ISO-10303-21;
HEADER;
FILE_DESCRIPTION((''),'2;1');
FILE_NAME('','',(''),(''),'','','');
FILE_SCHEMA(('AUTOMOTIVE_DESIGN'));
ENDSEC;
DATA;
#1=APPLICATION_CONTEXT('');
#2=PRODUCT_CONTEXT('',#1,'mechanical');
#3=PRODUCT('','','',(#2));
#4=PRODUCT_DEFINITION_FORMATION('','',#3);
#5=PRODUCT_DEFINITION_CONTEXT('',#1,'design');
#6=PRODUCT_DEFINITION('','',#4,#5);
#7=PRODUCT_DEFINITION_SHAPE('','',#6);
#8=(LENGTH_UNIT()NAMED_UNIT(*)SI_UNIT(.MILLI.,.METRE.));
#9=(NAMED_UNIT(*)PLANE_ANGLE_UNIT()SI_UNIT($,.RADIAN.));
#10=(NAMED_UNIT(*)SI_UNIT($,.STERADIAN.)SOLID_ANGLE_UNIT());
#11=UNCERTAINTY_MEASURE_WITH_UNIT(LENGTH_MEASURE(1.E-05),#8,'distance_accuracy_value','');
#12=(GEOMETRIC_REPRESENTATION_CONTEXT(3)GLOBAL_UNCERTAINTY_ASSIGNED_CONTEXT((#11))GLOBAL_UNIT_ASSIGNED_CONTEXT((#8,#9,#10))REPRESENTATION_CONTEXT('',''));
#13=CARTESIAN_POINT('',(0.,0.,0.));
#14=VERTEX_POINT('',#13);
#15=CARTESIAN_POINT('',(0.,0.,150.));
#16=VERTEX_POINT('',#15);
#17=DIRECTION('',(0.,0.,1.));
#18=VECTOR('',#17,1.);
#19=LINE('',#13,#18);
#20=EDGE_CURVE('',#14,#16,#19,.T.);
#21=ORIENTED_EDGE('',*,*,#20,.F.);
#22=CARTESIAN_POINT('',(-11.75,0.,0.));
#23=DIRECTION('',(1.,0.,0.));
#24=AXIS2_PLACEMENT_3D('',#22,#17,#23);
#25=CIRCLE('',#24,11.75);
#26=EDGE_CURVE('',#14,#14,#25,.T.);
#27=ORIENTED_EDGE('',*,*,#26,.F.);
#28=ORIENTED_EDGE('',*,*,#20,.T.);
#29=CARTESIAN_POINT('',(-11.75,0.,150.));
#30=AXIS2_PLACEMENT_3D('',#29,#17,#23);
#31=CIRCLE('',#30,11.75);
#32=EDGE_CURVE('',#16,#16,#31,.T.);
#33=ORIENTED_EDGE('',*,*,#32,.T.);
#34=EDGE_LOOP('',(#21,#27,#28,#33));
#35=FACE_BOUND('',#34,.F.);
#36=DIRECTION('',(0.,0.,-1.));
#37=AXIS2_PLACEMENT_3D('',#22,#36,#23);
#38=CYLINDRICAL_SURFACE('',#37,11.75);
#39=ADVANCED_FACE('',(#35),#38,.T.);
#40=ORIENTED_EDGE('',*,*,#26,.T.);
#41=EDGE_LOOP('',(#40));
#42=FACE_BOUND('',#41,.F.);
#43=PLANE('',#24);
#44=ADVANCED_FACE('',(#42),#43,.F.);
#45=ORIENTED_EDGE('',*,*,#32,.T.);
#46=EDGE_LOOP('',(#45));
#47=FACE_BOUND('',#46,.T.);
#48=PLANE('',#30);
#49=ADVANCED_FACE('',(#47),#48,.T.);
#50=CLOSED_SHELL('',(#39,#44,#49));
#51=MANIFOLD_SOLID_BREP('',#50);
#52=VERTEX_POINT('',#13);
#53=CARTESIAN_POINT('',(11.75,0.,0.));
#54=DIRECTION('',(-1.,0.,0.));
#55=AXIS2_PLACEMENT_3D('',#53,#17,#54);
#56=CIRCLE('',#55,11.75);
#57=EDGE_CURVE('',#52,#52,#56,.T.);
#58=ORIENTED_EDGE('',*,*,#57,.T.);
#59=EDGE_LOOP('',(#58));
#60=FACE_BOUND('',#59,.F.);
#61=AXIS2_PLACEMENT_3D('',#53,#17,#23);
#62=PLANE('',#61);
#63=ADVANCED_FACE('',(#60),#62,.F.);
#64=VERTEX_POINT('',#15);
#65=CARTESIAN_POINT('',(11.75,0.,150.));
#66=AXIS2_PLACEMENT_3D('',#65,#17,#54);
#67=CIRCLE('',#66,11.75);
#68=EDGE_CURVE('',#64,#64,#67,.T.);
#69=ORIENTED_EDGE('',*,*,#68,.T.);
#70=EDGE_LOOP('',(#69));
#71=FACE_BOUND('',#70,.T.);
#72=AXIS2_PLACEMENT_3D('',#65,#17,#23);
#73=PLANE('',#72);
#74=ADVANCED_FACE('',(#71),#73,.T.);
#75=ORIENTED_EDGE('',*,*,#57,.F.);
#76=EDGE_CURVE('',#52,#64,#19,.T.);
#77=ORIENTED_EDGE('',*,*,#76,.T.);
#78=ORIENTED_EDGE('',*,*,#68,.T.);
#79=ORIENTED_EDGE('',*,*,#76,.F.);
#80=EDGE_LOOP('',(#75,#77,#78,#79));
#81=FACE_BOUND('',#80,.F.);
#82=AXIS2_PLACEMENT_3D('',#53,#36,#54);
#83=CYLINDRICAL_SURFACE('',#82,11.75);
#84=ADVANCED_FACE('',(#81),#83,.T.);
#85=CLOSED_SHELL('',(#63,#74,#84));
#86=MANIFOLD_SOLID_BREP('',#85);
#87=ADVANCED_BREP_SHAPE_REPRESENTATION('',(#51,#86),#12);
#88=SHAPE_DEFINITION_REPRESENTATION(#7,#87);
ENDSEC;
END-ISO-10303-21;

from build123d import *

# Parameters (mm, degrees)
F0_R     = 11.75
F1_DEPTH = 150


with BuildPart() as f1:
    # F0 (on Top) → F1 (new body)
    with BuildSketch(Plane.XY):
        with BuildLine():
            ThreePointArc((23.5, 0), (11.75, 11.75), (0, 0))
            ThreePointArc((0, 0), (11.75, -11.75), (23.5, 0))
        make_face()
        with Locations((-11.75, 0)):
            Circle(F0_R)
    extrude(amount=F1_DEPTH)


solid = f1.part
